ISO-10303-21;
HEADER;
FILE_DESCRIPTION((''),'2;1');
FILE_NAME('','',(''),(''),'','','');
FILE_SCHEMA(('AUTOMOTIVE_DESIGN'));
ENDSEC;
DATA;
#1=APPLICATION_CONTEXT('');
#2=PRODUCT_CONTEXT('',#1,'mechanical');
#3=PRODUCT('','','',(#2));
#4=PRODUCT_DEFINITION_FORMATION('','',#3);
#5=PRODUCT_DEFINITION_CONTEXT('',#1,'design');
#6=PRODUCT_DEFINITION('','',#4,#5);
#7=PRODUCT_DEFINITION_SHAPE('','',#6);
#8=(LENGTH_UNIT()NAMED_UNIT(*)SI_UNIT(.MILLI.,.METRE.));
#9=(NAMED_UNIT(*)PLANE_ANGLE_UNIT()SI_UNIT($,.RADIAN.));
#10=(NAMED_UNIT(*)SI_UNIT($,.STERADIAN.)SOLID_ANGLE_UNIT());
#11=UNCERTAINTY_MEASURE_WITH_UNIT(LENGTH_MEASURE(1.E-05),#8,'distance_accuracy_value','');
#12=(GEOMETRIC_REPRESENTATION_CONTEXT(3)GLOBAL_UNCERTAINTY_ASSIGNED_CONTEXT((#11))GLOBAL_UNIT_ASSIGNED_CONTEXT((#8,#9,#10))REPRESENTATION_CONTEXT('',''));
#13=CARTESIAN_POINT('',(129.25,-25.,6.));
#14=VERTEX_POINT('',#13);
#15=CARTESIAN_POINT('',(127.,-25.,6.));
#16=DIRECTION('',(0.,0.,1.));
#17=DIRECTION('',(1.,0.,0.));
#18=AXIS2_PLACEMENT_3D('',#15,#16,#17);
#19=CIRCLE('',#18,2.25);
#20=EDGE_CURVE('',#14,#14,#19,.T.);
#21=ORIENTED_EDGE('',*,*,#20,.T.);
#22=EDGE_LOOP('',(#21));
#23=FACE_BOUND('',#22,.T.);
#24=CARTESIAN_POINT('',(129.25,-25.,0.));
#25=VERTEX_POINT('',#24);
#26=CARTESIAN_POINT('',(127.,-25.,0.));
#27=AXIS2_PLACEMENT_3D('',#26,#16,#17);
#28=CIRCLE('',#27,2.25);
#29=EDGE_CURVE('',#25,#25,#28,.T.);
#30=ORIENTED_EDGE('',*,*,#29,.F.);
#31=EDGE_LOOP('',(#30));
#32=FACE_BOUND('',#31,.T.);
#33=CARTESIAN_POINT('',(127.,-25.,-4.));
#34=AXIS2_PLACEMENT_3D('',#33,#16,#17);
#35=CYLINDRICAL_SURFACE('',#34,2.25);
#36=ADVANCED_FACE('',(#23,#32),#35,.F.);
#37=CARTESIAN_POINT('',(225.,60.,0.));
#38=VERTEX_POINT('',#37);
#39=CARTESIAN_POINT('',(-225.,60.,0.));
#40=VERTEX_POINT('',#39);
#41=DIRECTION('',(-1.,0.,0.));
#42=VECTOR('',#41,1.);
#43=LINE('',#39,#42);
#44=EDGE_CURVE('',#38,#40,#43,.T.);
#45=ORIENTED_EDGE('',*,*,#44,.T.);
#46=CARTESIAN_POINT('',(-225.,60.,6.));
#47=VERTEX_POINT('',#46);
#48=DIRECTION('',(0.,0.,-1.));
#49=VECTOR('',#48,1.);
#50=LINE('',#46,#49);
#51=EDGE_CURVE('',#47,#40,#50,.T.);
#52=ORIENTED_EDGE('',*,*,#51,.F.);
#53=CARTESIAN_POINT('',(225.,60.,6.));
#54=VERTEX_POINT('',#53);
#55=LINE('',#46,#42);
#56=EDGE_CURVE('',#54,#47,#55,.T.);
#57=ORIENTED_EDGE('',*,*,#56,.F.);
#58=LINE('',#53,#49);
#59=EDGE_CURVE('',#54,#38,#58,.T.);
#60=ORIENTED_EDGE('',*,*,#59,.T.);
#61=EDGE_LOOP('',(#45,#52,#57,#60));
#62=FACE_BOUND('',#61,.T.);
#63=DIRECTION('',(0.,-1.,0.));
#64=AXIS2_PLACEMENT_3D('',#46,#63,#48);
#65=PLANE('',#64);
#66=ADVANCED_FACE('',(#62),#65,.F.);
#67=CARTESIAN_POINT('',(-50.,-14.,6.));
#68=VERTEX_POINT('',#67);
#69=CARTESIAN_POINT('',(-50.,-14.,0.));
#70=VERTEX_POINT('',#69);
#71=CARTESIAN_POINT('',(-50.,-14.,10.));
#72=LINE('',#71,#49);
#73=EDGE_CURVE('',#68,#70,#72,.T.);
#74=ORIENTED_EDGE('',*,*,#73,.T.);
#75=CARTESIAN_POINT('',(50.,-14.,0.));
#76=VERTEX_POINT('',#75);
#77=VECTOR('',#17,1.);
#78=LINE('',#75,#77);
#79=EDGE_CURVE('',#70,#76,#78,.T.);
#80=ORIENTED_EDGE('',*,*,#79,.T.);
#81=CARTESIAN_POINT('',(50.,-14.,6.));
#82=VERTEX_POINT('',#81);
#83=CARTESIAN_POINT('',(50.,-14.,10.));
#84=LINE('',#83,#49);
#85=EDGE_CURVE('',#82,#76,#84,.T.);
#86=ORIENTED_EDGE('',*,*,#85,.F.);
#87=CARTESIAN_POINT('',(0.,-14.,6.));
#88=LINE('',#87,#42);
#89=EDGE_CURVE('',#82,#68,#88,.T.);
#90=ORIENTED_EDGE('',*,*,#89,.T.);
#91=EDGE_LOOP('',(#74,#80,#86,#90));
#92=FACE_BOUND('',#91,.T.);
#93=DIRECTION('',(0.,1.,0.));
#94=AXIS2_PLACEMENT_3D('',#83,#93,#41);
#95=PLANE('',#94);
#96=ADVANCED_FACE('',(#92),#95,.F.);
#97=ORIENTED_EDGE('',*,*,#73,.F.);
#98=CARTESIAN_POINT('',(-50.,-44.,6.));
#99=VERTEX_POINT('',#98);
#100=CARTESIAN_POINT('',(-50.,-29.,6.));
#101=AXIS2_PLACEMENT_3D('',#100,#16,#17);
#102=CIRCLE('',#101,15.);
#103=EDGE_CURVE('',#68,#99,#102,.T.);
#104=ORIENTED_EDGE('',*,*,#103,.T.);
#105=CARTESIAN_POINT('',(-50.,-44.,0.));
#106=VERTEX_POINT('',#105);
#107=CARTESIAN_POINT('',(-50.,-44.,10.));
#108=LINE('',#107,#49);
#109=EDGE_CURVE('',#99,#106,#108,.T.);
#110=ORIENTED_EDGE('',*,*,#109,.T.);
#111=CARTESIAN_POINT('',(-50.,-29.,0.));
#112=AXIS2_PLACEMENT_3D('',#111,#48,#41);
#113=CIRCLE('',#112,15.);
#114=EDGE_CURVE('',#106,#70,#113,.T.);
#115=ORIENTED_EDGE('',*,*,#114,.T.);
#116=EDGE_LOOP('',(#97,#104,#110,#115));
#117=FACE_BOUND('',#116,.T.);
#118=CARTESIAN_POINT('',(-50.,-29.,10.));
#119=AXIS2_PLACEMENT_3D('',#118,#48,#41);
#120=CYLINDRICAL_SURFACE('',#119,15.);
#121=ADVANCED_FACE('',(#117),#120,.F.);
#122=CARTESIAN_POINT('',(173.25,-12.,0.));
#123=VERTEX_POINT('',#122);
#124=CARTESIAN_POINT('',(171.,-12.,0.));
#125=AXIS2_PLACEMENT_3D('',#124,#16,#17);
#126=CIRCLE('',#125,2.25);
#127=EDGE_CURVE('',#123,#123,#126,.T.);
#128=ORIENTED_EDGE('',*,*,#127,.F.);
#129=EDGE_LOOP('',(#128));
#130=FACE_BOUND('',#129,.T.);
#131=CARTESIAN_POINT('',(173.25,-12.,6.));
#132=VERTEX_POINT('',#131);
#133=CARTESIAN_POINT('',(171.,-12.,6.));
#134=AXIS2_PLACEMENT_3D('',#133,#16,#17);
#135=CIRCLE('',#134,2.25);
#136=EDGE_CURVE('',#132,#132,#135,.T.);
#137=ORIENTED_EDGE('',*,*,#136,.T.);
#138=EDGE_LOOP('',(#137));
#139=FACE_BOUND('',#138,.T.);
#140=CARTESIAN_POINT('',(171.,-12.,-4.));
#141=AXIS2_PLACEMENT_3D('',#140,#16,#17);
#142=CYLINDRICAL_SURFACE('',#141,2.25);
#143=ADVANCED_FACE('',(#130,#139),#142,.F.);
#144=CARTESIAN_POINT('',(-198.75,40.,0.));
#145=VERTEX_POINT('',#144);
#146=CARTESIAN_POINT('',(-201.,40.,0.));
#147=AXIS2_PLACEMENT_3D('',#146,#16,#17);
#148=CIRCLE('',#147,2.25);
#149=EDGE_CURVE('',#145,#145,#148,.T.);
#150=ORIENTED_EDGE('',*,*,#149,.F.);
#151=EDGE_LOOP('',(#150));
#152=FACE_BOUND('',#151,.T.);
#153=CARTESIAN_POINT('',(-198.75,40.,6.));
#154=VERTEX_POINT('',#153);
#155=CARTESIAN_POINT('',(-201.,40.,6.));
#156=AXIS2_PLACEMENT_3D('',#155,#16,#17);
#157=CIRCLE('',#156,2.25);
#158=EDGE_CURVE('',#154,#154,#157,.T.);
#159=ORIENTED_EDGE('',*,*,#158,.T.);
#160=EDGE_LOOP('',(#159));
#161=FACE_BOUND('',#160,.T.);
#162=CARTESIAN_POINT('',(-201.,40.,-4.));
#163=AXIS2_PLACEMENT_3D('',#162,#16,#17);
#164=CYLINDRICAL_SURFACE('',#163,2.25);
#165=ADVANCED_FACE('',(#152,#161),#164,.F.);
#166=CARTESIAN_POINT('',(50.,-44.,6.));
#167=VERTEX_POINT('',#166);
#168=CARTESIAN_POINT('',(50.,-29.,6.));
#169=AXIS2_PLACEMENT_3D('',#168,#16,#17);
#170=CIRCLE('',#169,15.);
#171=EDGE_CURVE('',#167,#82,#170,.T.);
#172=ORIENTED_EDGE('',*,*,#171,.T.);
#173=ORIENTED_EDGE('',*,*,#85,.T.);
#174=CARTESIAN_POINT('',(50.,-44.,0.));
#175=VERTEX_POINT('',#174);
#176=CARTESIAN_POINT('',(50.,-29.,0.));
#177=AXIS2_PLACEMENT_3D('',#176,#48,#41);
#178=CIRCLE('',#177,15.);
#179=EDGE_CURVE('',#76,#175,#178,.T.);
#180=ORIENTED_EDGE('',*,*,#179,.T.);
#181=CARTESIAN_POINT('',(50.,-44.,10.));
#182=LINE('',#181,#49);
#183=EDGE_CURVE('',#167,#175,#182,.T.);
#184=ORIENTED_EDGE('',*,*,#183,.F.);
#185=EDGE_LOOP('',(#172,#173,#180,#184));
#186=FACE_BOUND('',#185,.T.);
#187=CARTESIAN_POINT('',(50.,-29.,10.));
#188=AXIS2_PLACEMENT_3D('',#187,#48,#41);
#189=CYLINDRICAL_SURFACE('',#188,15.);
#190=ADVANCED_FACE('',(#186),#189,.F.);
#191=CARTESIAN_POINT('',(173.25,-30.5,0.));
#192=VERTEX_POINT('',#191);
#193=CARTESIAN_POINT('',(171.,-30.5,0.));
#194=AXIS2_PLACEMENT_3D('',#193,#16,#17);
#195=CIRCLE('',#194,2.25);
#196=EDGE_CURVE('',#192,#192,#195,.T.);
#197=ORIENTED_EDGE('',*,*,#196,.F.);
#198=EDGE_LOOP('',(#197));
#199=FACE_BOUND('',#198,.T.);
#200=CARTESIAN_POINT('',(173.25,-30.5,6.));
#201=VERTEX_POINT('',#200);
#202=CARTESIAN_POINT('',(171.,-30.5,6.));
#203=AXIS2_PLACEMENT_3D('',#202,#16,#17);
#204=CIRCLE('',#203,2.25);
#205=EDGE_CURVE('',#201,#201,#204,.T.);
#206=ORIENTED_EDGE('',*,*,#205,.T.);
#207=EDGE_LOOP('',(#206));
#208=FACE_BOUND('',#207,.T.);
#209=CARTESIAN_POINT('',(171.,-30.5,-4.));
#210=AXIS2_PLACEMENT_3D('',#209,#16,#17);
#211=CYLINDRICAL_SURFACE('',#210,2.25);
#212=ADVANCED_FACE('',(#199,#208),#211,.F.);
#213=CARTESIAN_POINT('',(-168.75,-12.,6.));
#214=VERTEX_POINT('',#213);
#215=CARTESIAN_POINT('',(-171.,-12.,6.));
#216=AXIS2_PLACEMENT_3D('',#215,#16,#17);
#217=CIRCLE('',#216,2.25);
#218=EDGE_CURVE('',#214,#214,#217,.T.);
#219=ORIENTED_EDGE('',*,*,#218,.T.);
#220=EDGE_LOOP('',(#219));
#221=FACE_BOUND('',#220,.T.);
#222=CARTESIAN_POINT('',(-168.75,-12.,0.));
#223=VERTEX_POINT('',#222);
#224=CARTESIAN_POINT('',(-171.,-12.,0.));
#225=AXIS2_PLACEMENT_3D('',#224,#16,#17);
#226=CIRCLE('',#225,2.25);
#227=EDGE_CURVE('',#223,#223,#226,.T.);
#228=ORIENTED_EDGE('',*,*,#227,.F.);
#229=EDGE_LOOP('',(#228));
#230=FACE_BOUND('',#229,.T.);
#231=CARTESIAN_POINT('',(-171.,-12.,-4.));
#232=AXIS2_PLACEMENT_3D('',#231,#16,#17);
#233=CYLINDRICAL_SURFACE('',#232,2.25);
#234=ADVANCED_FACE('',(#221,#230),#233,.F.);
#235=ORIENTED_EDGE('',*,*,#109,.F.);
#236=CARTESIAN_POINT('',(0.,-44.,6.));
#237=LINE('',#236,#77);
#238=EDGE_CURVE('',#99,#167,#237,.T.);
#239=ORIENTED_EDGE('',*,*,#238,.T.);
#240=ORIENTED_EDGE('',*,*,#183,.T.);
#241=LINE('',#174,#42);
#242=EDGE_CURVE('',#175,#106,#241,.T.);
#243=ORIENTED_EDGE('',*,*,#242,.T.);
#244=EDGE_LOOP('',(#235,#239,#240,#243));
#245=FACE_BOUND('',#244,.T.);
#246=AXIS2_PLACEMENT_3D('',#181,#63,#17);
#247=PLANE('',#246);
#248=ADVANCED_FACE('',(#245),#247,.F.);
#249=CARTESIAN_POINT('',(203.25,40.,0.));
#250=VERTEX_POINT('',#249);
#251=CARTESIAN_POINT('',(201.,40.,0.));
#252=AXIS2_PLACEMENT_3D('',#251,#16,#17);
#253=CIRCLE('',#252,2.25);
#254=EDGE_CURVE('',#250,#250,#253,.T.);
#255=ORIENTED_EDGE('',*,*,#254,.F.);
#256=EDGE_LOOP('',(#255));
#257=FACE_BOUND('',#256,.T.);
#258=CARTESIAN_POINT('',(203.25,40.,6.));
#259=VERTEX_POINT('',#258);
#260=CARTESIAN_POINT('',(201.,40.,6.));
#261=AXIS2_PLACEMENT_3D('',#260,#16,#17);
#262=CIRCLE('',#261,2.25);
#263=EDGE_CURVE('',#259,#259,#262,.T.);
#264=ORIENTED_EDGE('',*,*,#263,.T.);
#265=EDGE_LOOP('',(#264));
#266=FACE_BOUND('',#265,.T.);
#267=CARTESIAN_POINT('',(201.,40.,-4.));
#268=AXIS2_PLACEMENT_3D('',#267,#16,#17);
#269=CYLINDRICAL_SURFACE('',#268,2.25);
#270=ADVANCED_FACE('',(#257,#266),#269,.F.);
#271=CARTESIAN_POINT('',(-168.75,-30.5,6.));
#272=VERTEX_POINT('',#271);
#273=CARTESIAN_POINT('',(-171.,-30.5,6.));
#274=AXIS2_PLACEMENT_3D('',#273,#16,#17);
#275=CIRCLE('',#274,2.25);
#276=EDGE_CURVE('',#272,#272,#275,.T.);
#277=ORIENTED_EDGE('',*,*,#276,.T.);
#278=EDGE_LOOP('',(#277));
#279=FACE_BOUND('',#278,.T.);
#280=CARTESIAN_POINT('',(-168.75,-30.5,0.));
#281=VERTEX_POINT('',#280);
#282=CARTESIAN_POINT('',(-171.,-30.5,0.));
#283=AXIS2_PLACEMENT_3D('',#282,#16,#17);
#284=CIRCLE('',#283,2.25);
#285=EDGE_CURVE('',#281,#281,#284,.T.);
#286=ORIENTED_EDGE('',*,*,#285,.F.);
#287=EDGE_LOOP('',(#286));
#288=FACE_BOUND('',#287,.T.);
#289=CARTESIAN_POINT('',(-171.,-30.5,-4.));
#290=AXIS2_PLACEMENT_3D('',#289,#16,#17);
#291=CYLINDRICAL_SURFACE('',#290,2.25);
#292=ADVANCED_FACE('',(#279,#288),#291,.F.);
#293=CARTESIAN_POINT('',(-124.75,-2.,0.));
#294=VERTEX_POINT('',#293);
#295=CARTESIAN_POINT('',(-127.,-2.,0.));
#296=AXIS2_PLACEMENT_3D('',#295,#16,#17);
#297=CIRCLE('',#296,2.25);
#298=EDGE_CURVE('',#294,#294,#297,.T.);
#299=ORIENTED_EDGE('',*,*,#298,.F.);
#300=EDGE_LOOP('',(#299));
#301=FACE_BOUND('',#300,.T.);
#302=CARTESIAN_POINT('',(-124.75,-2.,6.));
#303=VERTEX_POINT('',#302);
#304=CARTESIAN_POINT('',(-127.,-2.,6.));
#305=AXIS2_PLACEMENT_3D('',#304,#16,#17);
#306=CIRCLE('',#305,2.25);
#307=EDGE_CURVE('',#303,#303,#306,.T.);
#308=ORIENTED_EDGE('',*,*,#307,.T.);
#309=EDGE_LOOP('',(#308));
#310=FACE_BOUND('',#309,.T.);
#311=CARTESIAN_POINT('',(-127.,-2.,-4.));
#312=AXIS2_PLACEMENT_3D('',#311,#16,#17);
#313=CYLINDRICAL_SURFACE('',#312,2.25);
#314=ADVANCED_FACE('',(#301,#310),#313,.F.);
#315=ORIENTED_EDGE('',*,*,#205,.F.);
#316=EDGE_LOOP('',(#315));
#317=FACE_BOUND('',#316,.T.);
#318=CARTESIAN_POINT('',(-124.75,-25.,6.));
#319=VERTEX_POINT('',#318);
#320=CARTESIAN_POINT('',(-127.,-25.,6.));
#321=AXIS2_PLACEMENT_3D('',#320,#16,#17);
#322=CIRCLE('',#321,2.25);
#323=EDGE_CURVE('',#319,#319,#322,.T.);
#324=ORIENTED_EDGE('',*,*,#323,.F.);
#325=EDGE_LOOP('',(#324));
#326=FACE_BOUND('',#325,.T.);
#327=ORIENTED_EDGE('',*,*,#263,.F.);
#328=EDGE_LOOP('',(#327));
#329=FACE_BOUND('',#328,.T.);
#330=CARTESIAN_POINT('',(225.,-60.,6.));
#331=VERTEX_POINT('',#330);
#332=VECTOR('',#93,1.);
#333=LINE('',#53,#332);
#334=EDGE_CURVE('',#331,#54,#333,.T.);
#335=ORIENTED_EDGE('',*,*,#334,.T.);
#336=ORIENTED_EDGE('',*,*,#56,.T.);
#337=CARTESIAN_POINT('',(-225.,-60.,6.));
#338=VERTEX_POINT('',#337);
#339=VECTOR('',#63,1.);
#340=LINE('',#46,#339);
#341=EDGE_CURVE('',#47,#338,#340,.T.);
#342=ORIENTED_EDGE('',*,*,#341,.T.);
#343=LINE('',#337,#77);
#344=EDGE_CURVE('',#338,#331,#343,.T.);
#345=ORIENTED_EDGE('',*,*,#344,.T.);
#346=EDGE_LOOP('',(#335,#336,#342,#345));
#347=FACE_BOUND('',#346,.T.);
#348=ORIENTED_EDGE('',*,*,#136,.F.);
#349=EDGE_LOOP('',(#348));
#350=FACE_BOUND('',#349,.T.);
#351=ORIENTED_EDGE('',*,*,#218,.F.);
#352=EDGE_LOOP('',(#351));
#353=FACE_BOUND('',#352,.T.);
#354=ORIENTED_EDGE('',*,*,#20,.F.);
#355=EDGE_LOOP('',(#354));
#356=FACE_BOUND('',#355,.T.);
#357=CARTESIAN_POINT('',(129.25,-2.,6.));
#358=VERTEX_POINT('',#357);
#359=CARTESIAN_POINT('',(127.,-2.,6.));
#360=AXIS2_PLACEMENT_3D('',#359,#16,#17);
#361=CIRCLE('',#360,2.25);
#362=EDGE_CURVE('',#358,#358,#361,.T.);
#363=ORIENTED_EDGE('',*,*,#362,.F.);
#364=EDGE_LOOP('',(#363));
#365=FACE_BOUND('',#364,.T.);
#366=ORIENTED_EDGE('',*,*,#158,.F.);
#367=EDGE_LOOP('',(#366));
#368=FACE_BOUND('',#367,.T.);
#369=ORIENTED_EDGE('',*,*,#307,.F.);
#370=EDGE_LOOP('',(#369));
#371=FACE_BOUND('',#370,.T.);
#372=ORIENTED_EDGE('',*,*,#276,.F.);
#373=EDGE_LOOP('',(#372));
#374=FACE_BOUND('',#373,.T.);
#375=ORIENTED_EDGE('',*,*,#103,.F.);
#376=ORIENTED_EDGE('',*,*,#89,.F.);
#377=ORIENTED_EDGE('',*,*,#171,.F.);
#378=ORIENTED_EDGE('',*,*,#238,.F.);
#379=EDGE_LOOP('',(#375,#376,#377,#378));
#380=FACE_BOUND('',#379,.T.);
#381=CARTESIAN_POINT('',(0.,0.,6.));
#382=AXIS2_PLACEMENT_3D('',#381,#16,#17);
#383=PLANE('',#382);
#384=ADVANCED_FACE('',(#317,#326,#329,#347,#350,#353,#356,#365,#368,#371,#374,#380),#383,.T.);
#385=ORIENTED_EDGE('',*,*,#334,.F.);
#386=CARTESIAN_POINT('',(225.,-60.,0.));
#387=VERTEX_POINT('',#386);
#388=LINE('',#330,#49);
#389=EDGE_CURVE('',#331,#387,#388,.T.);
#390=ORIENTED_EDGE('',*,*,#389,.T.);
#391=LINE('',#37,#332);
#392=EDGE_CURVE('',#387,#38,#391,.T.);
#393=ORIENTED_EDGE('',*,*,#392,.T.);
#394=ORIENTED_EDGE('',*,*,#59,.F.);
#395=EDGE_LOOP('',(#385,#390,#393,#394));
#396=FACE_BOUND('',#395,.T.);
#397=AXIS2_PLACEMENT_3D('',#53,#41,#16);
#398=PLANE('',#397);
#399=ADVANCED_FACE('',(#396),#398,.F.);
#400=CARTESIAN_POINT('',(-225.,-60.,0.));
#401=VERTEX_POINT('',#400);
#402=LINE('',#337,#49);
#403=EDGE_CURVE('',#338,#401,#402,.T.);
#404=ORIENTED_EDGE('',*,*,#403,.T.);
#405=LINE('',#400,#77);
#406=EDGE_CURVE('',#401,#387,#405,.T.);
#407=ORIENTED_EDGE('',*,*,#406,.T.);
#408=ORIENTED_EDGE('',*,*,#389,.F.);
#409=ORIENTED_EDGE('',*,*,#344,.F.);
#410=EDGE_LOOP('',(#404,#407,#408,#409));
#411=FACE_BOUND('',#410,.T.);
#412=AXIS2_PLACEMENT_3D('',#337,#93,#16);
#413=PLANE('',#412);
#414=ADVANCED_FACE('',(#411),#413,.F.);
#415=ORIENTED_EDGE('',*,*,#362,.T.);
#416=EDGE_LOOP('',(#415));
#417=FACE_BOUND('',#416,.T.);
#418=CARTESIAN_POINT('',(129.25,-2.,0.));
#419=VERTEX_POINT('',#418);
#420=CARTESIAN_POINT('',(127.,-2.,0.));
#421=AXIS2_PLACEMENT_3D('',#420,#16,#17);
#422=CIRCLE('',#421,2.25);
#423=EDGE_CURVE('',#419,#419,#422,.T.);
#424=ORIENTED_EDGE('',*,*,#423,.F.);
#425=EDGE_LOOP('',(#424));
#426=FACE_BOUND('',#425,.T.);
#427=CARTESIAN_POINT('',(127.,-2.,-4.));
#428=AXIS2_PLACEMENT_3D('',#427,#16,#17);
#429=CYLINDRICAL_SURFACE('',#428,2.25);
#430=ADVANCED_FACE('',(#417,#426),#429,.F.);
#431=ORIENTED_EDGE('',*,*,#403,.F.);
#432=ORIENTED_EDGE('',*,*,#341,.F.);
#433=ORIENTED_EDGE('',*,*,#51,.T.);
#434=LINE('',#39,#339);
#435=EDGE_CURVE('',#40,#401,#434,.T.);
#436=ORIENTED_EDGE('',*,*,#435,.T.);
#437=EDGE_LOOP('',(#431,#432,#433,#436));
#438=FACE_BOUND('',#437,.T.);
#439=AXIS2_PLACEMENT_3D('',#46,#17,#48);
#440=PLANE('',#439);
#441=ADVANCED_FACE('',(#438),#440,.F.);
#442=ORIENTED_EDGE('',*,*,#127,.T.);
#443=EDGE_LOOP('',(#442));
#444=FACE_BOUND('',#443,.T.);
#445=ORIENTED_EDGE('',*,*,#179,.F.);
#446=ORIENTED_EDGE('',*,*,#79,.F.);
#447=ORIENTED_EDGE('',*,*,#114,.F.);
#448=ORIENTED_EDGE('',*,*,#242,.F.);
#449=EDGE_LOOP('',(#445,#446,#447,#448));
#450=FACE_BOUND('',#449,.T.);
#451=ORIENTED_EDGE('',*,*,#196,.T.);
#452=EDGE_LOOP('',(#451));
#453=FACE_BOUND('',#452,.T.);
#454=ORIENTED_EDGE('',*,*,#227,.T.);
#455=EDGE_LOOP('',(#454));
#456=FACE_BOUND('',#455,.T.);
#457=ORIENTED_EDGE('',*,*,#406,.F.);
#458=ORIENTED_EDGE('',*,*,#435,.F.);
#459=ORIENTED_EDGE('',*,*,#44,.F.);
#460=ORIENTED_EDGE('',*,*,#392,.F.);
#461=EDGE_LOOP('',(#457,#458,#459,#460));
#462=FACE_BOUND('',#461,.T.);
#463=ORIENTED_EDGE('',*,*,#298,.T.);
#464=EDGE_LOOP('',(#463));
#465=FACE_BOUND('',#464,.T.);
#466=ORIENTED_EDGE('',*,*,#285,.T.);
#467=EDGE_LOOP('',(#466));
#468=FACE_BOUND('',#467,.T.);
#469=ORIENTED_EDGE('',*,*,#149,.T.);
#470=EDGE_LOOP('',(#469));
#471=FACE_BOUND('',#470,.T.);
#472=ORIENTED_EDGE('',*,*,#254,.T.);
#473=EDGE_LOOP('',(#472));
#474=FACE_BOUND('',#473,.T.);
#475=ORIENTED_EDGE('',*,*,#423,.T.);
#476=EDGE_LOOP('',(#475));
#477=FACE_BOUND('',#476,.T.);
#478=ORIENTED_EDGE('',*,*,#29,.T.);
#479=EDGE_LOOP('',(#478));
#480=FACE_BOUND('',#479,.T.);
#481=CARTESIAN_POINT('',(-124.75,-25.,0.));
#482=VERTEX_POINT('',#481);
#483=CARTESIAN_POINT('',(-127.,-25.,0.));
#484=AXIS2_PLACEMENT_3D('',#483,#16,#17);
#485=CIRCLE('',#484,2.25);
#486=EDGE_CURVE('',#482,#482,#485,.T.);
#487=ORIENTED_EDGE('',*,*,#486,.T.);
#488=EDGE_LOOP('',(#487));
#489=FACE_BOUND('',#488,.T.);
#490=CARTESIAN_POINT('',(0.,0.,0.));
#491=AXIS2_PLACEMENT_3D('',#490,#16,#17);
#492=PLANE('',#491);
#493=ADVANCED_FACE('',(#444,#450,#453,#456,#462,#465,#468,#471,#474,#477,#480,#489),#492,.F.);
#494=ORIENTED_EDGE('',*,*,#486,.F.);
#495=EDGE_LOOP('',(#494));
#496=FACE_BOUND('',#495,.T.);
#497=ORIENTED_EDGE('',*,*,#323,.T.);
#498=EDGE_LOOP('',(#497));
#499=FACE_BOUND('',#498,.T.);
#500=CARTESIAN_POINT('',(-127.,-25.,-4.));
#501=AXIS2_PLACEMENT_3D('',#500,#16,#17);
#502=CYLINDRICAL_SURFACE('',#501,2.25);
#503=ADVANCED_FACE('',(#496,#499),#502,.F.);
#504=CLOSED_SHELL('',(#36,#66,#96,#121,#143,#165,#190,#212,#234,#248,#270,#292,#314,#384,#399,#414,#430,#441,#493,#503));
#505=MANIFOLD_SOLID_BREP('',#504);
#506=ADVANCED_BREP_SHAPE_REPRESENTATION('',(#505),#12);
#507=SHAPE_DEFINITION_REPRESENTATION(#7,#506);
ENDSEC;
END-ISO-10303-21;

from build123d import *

# Parameters (mm, degrees)
SCHIZZO1_W                   = 450
SCHIZZO1_H                   = 120
ESTRUSIONE_ESTRUSIONE1_DEPTH = 6
TAGLIO_ESTRUSIONE1_DEPTH     = 10
SCHIZZO3_R                   = 2.25
TAGLIO_ESTRUSIONE2_DEPTH     = 10


with BuildPart() as part:
    # Schizzo1 → Estrusione-Estrusione1 (new body)
    with BuildSketch(Plane.XY):
        Rectangle(SCHIZZO1_W, SCHIZZO1_H)
    extrude(amount=ESTRUSIONE_ESTRUSIONE1_DEPTH)

    # Schizzo2 → Taglio-Estrusione1 (cut)
    with BuildSketch(Plane(origin=(0, 0, 0), x_dir=(-1, 0, 0), z_dir=(0, 0, -1))):
        with BuildLine():
            Line((-50, -14), (50, -14))
            ThreePointArc((50, -14), (65, -29), (50, -44))
            Line((50, -44), (-50, -44))
            ThreePointArc((-50, -44), (-65, -29), (-50, -14))
        make_face()
    extrude(amount=-TAGLIO_ESTRUSIONE1_DEPTH, mode=Mode.SUBTRACT)

    # Schizzo3 → Taglio-Estrusione2 (cut)
    with BuildSketch(Plane.XY.offset(6)):
        with Locations((-171, -12)):
            Circle(SCHIZZO3_R)
        with Locations((-171, -30.5)):
            Circle(SCHIZZO3_R)
        with Locations((171, -12)):
            Circle(SCHIZZO3_R)
        with Locations((171, -30.5)):
            Circle(SCHIZZO3_R)
        with Locations((201, 40)):
            Circle(SCHIZZO3_R)
        with Locations((-201, 40)):
            Circle(SCHIZZO3_R)
        with Locations((127, -2)):
            Circle(SCHIZZO3_R)
        with Locations((127, -25)):
            Circle(SCHIZZO3_R)
        with Locations((-127, -2)):
            Circle(SCHIZZO3_R)
        with Locations((-127, -25)):
            Circle(SCHIZZO3_R)
    extrude(amount=-TAGLIO_ESTRUSIONE2_DEPTH, mode=Mode.SUBTRACT)


solid = part.part
